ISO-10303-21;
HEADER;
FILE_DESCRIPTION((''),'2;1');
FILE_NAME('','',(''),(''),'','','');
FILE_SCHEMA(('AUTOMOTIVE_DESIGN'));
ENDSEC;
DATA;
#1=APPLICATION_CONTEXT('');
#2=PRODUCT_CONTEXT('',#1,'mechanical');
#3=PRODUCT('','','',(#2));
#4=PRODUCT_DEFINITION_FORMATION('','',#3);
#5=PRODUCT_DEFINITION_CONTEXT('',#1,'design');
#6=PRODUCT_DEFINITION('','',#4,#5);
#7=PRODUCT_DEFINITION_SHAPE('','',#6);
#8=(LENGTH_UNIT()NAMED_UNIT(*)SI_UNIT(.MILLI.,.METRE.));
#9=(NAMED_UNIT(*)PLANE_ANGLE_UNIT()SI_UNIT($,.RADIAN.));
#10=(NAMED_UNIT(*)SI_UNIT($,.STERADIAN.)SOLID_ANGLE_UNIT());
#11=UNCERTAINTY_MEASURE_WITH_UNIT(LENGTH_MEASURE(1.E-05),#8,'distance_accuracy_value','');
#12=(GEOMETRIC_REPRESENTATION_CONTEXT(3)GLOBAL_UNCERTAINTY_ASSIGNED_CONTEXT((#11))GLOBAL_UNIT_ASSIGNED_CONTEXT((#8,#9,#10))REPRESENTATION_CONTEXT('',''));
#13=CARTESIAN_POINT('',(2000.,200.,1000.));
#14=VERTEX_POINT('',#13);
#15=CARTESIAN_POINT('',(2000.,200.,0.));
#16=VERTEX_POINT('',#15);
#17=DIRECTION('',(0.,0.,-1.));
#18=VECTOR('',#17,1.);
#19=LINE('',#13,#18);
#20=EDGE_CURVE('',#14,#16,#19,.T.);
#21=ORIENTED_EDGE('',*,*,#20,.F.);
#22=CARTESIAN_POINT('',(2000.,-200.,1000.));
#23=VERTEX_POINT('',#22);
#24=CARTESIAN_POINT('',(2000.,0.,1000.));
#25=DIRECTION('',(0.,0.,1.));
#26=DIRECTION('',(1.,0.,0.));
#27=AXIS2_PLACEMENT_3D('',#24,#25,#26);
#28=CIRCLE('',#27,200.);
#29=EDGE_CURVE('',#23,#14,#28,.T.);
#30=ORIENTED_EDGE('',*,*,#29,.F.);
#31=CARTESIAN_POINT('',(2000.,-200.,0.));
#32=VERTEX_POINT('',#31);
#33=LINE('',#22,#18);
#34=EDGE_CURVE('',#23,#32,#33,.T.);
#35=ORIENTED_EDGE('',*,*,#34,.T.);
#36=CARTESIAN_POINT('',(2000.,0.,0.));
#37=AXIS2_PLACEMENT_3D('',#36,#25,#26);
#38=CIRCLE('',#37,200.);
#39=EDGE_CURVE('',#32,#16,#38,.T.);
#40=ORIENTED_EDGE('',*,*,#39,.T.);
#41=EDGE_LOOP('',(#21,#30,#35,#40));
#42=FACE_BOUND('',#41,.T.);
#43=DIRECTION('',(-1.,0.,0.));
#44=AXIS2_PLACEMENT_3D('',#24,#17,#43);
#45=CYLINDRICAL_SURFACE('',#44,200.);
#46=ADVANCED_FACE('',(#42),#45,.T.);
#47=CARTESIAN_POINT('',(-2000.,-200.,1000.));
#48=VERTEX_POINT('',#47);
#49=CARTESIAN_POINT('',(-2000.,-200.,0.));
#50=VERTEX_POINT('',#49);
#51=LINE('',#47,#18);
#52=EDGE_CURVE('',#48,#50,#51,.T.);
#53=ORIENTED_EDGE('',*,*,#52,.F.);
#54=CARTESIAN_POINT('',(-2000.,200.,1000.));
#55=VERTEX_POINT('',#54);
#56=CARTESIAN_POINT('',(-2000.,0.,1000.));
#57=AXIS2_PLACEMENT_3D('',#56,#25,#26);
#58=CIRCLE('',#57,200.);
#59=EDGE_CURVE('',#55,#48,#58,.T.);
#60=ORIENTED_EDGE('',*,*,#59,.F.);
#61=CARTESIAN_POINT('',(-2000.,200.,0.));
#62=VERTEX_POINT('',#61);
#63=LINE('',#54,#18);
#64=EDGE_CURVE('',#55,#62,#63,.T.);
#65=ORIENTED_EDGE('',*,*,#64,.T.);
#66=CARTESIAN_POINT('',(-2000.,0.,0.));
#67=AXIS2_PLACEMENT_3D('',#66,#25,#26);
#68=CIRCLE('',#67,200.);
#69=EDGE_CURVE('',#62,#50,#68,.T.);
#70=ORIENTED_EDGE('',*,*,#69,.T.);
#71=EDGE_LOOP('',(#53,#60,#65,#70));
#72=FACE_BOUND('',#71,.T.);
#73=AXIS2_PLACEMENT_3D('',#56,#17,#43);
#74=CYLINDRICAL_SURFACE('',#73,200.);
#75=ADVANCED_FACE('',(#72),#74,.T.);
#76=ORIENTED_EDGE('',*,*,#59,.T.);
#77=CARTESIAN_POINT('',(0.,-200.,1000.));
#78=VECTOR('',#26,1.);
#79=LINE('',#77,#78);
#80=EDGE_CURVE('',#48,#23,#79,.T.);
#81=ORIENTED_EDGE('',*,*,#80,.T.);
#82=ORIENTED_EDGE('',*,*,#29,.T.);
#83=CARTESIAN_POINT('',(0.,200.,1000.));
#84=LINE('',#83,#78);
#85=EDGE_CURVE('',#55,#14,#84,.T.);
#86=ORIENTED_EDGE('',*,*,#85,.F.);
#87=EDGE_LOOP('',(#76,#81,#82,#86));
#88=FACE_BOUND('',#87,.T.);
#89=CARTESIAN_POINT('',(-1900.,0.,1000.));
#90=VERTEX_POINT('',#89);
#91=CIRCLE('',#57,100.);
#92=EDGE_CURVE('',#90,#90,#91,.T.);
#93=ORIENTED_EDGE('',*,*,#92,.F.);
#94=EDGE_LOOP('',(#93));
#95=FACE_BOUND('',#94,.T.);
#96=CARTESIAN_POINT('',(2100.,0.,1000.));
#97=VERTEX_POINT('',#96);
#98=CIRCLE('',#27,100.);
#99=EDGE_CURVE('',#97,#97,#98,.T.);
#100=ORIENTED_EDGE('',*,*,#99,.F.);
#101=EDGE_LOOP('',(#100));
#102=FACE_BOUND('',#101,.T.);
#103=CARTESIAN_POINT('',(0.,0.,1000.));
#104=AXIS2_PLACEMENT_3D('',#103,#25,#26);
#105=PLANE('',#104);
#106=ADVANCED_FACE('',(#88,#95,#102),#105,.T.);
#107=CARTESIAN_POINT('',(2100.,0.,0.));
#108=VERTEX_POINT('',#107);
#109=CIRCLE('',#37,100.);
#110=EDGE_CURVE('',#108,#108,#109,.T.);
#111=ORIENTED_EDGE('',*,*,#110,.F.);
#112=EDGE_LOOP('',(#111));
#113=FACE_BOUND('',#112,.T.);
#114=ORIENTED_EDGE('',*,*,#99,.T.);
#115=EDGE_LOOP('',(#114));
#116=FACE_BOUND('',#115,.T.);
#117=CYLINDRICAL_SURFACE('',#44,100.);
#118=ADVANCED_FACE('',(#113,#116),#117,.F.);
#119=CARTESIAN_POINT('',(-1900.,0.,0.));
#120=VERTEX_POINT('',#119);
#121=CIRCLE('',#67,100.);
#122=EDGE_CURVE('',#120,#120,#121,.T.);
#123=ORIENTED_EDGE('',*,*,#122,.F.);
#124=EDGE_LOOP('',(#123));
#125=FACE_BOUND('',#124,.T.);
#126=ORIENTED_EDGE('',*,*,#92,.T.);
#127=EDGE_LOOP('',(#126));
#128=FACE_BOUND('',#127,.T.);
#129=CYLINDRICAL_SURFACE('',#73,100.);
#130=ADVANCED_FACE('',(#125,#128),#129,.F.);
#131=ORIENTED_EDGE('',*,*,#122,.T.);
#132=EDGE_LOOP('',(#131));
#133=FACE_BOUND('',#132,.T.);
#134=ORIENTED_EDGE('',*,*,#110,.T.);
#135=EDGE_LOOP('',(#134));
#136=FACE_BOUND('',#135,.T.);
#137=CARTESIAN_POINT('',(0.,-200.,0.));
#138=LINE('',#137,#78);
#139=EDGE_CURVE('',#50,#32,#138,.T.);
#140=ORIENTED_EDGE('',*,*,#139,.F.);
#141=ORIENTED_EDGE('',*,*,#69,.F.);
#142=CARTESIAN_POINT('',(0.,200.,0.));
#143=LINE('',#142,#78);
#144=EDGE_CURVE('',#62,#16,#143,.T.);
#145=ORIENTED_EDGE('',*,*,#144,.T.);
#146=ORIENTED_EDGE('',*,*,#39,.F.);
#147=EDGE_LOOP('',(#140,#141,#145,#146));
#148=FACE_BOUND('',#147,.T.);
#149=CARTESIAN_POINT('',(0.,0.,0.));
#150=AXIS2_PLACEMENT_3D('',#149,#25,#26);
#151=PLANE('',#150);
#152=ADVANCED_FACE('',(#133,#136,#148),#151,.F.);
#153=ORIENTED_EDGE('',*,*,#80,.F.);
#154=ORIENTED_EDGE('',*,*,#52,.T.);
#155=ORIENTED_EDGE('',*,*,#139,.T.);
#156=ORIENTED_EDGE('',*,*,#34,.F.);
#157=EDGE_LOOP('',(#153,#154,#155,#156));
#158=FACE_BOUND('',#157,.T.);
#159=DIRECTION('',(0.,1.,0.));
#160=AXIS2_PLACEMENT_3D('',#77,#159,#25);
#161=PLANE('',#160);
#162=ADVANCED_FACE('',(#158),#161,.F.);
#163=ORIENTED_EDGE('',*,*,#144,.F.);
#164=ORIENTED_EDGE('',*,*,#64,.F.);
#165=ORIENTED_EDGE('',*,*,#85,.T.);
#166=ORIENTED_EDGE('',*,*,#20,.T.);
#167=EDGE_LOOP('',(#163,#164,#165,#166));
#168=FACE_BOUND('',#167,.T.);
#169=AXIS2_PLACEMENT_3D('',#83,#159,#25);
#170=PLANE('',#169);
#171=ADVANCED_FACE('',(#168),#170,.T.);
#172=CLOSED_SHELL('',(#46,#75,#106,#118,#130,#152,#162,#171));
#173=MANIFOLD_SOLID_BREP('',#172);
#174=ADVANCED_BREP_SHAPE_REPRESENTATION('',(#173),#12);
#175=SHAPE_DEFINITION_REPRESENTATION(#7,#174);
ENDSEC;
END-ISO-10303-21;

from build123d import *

# Parameters (mm, degrees)
EXTRUDE_1_DEPTH = 1000


with BuildPart() as part:
    # ｽｹｯﾁ1 → ﾎﾞｽ - 押し出し1 (new body)
    with BuildSketch(Plane.XY):
        with BuildLine():
            ThreePointArc((-2000, 200), (-2200, 0), (-2000, -200))
            Line((-2000, -200), (-2000, -100))
            ThreePointArc((-2000, -100), (-2100, 0), (-2000, 100))
            Line((-2000, 100), (-2000, 200))
        make_face()
        with BuildLine():
            Line((-2000, -100), (-2000, -200))
            ThreePointArc((-2000, -200), (-1858.578643763, -141.421356237), (-1800, 0))
            ThreePointArc((-1800, 0), (-1858.578643763, 141.421356237), (-2000, 200))
            Line((-2000, 200), (-2000, 100))
            ThreePointArc((-2000, 100), (-1929.289321881, 70.710678119), (-1900, 0))
            ThreePointArc((-1900, 0), (-1929.289321881, -70.710678119), (-2000, -100))
        make_face()
        with BuildLine():
            ThreePointArc((-1800, 0), (-1858.578643763, -141.421356237), (-2000, -200))
            Line((-2000, -200), (2000, -200))
            ThreePointArc((2000, -200), (1800, 0), (2000, 200))
            Line((2000, 200), (-2000, 200))
            ThreePointArc((-2000, 200), (-1858.578643763, 141.421356237), (-1800, 0))
        make_face()
        with BuildLine():
            ThreePointArc((2000, 200), (1800, 0), (2000, -200))
            Line((2000, -200), (2000, -100))
            ThreePointArc((2000, -100), (1900, 0), (2000, 100))
            Line((2000, 100), (2000, 200))
        make_face()
        with BuildLine():
            Line((2000, -100), (2000, -200))
            ThreePointArc((2000, -200), (2141.421356237, -141.421356237), (2200, 0))
            ThreePointArc((2200, 0), (2141.421356237, 141.421356237), (2000, 200))
            Line((2000, 200), (2000, 100))
            ThreePointArc((2000, 100), (2070.710678119, 70.710678119), (2100, 0))
            ThreePointArc((2100, 0), (2070.710678119, -70.710678119), (2000, -100))
        make_face()
    extrude(amount=EXTRUDE_1_DEPTH)


solid = part.part
